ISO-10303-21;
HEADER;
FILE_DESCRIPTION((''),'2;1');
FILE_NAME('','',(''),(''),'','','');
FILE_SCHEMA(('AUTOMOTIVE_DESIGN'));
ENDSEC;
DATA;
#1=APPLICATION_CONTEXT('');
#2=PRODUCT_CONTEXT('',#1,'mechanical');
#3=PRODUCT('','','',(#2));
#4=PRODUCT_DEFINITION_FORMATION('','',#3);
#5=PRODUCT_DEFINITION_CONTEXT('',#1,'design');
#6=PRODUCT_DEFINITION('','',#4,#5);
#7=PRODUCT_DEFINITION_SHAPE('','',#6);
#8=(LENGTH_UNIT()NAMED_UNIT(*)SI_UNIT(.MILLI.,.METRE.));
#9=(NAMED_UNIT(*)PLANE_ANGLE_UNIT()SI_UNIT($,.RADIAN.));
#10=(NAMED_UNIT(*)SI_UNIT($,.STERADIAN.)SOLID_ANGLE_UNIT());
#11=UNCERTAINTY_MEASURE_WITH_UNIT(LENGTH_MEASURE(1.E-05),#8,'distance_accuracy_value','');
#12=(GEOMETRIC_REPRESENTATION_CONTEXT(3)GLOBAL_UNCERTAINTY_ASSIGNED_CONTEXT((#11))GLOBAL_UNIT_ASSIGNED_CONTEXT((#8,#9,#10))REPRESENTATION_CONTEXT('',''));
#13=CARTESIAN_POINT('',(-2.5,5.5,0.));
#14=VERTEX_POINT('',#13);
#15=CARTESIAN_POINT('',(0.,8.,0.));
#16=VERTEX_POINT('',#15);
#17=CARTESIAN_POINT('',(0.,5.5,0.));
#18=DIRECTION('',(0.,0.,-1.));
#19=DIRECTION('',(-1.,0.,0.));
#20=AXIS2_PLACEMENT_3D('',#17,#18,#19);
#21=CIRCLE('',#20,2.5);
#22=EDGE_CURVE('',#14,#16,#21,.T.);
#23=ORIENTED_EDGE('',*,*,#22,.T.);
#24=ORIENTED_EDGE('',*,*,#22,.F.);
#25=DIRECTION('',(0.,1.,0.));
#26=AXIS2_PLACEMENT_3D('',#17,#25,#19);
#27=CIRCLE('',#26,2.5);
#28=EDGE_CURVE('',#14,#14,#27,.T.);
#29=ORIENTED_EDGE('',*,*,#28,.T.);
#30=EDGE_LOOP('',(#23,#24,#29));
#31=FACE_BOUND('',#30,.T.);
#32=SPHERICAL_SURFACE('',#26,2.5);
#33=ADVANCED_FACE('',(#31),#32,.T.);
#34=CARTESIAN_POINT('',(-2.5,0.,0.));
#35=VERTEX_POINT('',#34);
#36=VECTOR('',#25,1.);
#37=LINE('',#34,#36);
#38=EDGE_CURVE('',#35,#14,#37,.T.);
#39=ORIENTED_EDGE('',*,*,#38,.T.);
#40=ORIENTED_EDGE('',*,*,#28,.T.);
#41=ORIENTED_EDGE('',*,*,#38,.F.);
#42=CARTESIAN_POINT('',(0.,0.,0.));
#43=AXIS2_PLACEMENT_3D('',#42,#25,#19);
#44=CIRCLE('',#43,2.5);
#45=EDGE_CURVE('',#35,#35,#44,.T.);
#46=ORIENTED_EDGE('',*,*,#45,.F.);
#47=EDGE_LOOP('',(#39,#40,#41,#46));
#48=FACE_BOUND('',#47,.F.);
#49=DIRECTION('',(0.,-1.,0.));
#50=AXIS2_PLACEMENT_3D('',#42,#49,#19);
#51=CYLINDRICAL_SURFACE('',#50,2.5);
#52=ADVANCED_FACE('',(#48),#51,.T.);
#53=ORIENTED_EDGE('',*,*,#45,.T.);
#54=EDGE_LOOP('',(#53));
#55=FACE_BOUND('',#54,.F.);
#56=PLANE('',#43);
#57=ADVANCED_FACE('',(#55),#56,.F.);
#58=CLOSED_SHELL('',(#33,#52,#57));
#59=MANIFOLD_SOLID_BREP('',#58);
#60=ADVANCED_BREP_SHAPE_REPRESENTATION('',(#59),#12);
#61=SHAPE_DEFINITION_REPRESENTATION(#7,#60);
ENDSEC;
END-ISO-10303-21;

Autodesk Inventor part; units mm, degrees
ref_plane "YZ Plane" through (0, 0, 0) normal (1, 0, 0) x (0, 1, 0)
ref_plane "XZ Plane" through (0, 0, 0) normal (0, 1, 0) x (-1, 0, 0)
ref_plane "XY Plane" through (0, 0, 0) normal (0, 0, 1) x (1, 0, 0)
sketch "Sketch1" plane through (0, 0, 0) normal (0, 1, 0) x (-1, 0, 0)
  circle A0 centre (0, 0) radius 2.5
  dimension "d0" = 5
extrude "Extrusion1" add sketch "Sketch1" along normal blind 8
fillet "Fillet1" radius 2.5 1 edges at (2.5, 8, 0)
properties part number "Blue_LED"
